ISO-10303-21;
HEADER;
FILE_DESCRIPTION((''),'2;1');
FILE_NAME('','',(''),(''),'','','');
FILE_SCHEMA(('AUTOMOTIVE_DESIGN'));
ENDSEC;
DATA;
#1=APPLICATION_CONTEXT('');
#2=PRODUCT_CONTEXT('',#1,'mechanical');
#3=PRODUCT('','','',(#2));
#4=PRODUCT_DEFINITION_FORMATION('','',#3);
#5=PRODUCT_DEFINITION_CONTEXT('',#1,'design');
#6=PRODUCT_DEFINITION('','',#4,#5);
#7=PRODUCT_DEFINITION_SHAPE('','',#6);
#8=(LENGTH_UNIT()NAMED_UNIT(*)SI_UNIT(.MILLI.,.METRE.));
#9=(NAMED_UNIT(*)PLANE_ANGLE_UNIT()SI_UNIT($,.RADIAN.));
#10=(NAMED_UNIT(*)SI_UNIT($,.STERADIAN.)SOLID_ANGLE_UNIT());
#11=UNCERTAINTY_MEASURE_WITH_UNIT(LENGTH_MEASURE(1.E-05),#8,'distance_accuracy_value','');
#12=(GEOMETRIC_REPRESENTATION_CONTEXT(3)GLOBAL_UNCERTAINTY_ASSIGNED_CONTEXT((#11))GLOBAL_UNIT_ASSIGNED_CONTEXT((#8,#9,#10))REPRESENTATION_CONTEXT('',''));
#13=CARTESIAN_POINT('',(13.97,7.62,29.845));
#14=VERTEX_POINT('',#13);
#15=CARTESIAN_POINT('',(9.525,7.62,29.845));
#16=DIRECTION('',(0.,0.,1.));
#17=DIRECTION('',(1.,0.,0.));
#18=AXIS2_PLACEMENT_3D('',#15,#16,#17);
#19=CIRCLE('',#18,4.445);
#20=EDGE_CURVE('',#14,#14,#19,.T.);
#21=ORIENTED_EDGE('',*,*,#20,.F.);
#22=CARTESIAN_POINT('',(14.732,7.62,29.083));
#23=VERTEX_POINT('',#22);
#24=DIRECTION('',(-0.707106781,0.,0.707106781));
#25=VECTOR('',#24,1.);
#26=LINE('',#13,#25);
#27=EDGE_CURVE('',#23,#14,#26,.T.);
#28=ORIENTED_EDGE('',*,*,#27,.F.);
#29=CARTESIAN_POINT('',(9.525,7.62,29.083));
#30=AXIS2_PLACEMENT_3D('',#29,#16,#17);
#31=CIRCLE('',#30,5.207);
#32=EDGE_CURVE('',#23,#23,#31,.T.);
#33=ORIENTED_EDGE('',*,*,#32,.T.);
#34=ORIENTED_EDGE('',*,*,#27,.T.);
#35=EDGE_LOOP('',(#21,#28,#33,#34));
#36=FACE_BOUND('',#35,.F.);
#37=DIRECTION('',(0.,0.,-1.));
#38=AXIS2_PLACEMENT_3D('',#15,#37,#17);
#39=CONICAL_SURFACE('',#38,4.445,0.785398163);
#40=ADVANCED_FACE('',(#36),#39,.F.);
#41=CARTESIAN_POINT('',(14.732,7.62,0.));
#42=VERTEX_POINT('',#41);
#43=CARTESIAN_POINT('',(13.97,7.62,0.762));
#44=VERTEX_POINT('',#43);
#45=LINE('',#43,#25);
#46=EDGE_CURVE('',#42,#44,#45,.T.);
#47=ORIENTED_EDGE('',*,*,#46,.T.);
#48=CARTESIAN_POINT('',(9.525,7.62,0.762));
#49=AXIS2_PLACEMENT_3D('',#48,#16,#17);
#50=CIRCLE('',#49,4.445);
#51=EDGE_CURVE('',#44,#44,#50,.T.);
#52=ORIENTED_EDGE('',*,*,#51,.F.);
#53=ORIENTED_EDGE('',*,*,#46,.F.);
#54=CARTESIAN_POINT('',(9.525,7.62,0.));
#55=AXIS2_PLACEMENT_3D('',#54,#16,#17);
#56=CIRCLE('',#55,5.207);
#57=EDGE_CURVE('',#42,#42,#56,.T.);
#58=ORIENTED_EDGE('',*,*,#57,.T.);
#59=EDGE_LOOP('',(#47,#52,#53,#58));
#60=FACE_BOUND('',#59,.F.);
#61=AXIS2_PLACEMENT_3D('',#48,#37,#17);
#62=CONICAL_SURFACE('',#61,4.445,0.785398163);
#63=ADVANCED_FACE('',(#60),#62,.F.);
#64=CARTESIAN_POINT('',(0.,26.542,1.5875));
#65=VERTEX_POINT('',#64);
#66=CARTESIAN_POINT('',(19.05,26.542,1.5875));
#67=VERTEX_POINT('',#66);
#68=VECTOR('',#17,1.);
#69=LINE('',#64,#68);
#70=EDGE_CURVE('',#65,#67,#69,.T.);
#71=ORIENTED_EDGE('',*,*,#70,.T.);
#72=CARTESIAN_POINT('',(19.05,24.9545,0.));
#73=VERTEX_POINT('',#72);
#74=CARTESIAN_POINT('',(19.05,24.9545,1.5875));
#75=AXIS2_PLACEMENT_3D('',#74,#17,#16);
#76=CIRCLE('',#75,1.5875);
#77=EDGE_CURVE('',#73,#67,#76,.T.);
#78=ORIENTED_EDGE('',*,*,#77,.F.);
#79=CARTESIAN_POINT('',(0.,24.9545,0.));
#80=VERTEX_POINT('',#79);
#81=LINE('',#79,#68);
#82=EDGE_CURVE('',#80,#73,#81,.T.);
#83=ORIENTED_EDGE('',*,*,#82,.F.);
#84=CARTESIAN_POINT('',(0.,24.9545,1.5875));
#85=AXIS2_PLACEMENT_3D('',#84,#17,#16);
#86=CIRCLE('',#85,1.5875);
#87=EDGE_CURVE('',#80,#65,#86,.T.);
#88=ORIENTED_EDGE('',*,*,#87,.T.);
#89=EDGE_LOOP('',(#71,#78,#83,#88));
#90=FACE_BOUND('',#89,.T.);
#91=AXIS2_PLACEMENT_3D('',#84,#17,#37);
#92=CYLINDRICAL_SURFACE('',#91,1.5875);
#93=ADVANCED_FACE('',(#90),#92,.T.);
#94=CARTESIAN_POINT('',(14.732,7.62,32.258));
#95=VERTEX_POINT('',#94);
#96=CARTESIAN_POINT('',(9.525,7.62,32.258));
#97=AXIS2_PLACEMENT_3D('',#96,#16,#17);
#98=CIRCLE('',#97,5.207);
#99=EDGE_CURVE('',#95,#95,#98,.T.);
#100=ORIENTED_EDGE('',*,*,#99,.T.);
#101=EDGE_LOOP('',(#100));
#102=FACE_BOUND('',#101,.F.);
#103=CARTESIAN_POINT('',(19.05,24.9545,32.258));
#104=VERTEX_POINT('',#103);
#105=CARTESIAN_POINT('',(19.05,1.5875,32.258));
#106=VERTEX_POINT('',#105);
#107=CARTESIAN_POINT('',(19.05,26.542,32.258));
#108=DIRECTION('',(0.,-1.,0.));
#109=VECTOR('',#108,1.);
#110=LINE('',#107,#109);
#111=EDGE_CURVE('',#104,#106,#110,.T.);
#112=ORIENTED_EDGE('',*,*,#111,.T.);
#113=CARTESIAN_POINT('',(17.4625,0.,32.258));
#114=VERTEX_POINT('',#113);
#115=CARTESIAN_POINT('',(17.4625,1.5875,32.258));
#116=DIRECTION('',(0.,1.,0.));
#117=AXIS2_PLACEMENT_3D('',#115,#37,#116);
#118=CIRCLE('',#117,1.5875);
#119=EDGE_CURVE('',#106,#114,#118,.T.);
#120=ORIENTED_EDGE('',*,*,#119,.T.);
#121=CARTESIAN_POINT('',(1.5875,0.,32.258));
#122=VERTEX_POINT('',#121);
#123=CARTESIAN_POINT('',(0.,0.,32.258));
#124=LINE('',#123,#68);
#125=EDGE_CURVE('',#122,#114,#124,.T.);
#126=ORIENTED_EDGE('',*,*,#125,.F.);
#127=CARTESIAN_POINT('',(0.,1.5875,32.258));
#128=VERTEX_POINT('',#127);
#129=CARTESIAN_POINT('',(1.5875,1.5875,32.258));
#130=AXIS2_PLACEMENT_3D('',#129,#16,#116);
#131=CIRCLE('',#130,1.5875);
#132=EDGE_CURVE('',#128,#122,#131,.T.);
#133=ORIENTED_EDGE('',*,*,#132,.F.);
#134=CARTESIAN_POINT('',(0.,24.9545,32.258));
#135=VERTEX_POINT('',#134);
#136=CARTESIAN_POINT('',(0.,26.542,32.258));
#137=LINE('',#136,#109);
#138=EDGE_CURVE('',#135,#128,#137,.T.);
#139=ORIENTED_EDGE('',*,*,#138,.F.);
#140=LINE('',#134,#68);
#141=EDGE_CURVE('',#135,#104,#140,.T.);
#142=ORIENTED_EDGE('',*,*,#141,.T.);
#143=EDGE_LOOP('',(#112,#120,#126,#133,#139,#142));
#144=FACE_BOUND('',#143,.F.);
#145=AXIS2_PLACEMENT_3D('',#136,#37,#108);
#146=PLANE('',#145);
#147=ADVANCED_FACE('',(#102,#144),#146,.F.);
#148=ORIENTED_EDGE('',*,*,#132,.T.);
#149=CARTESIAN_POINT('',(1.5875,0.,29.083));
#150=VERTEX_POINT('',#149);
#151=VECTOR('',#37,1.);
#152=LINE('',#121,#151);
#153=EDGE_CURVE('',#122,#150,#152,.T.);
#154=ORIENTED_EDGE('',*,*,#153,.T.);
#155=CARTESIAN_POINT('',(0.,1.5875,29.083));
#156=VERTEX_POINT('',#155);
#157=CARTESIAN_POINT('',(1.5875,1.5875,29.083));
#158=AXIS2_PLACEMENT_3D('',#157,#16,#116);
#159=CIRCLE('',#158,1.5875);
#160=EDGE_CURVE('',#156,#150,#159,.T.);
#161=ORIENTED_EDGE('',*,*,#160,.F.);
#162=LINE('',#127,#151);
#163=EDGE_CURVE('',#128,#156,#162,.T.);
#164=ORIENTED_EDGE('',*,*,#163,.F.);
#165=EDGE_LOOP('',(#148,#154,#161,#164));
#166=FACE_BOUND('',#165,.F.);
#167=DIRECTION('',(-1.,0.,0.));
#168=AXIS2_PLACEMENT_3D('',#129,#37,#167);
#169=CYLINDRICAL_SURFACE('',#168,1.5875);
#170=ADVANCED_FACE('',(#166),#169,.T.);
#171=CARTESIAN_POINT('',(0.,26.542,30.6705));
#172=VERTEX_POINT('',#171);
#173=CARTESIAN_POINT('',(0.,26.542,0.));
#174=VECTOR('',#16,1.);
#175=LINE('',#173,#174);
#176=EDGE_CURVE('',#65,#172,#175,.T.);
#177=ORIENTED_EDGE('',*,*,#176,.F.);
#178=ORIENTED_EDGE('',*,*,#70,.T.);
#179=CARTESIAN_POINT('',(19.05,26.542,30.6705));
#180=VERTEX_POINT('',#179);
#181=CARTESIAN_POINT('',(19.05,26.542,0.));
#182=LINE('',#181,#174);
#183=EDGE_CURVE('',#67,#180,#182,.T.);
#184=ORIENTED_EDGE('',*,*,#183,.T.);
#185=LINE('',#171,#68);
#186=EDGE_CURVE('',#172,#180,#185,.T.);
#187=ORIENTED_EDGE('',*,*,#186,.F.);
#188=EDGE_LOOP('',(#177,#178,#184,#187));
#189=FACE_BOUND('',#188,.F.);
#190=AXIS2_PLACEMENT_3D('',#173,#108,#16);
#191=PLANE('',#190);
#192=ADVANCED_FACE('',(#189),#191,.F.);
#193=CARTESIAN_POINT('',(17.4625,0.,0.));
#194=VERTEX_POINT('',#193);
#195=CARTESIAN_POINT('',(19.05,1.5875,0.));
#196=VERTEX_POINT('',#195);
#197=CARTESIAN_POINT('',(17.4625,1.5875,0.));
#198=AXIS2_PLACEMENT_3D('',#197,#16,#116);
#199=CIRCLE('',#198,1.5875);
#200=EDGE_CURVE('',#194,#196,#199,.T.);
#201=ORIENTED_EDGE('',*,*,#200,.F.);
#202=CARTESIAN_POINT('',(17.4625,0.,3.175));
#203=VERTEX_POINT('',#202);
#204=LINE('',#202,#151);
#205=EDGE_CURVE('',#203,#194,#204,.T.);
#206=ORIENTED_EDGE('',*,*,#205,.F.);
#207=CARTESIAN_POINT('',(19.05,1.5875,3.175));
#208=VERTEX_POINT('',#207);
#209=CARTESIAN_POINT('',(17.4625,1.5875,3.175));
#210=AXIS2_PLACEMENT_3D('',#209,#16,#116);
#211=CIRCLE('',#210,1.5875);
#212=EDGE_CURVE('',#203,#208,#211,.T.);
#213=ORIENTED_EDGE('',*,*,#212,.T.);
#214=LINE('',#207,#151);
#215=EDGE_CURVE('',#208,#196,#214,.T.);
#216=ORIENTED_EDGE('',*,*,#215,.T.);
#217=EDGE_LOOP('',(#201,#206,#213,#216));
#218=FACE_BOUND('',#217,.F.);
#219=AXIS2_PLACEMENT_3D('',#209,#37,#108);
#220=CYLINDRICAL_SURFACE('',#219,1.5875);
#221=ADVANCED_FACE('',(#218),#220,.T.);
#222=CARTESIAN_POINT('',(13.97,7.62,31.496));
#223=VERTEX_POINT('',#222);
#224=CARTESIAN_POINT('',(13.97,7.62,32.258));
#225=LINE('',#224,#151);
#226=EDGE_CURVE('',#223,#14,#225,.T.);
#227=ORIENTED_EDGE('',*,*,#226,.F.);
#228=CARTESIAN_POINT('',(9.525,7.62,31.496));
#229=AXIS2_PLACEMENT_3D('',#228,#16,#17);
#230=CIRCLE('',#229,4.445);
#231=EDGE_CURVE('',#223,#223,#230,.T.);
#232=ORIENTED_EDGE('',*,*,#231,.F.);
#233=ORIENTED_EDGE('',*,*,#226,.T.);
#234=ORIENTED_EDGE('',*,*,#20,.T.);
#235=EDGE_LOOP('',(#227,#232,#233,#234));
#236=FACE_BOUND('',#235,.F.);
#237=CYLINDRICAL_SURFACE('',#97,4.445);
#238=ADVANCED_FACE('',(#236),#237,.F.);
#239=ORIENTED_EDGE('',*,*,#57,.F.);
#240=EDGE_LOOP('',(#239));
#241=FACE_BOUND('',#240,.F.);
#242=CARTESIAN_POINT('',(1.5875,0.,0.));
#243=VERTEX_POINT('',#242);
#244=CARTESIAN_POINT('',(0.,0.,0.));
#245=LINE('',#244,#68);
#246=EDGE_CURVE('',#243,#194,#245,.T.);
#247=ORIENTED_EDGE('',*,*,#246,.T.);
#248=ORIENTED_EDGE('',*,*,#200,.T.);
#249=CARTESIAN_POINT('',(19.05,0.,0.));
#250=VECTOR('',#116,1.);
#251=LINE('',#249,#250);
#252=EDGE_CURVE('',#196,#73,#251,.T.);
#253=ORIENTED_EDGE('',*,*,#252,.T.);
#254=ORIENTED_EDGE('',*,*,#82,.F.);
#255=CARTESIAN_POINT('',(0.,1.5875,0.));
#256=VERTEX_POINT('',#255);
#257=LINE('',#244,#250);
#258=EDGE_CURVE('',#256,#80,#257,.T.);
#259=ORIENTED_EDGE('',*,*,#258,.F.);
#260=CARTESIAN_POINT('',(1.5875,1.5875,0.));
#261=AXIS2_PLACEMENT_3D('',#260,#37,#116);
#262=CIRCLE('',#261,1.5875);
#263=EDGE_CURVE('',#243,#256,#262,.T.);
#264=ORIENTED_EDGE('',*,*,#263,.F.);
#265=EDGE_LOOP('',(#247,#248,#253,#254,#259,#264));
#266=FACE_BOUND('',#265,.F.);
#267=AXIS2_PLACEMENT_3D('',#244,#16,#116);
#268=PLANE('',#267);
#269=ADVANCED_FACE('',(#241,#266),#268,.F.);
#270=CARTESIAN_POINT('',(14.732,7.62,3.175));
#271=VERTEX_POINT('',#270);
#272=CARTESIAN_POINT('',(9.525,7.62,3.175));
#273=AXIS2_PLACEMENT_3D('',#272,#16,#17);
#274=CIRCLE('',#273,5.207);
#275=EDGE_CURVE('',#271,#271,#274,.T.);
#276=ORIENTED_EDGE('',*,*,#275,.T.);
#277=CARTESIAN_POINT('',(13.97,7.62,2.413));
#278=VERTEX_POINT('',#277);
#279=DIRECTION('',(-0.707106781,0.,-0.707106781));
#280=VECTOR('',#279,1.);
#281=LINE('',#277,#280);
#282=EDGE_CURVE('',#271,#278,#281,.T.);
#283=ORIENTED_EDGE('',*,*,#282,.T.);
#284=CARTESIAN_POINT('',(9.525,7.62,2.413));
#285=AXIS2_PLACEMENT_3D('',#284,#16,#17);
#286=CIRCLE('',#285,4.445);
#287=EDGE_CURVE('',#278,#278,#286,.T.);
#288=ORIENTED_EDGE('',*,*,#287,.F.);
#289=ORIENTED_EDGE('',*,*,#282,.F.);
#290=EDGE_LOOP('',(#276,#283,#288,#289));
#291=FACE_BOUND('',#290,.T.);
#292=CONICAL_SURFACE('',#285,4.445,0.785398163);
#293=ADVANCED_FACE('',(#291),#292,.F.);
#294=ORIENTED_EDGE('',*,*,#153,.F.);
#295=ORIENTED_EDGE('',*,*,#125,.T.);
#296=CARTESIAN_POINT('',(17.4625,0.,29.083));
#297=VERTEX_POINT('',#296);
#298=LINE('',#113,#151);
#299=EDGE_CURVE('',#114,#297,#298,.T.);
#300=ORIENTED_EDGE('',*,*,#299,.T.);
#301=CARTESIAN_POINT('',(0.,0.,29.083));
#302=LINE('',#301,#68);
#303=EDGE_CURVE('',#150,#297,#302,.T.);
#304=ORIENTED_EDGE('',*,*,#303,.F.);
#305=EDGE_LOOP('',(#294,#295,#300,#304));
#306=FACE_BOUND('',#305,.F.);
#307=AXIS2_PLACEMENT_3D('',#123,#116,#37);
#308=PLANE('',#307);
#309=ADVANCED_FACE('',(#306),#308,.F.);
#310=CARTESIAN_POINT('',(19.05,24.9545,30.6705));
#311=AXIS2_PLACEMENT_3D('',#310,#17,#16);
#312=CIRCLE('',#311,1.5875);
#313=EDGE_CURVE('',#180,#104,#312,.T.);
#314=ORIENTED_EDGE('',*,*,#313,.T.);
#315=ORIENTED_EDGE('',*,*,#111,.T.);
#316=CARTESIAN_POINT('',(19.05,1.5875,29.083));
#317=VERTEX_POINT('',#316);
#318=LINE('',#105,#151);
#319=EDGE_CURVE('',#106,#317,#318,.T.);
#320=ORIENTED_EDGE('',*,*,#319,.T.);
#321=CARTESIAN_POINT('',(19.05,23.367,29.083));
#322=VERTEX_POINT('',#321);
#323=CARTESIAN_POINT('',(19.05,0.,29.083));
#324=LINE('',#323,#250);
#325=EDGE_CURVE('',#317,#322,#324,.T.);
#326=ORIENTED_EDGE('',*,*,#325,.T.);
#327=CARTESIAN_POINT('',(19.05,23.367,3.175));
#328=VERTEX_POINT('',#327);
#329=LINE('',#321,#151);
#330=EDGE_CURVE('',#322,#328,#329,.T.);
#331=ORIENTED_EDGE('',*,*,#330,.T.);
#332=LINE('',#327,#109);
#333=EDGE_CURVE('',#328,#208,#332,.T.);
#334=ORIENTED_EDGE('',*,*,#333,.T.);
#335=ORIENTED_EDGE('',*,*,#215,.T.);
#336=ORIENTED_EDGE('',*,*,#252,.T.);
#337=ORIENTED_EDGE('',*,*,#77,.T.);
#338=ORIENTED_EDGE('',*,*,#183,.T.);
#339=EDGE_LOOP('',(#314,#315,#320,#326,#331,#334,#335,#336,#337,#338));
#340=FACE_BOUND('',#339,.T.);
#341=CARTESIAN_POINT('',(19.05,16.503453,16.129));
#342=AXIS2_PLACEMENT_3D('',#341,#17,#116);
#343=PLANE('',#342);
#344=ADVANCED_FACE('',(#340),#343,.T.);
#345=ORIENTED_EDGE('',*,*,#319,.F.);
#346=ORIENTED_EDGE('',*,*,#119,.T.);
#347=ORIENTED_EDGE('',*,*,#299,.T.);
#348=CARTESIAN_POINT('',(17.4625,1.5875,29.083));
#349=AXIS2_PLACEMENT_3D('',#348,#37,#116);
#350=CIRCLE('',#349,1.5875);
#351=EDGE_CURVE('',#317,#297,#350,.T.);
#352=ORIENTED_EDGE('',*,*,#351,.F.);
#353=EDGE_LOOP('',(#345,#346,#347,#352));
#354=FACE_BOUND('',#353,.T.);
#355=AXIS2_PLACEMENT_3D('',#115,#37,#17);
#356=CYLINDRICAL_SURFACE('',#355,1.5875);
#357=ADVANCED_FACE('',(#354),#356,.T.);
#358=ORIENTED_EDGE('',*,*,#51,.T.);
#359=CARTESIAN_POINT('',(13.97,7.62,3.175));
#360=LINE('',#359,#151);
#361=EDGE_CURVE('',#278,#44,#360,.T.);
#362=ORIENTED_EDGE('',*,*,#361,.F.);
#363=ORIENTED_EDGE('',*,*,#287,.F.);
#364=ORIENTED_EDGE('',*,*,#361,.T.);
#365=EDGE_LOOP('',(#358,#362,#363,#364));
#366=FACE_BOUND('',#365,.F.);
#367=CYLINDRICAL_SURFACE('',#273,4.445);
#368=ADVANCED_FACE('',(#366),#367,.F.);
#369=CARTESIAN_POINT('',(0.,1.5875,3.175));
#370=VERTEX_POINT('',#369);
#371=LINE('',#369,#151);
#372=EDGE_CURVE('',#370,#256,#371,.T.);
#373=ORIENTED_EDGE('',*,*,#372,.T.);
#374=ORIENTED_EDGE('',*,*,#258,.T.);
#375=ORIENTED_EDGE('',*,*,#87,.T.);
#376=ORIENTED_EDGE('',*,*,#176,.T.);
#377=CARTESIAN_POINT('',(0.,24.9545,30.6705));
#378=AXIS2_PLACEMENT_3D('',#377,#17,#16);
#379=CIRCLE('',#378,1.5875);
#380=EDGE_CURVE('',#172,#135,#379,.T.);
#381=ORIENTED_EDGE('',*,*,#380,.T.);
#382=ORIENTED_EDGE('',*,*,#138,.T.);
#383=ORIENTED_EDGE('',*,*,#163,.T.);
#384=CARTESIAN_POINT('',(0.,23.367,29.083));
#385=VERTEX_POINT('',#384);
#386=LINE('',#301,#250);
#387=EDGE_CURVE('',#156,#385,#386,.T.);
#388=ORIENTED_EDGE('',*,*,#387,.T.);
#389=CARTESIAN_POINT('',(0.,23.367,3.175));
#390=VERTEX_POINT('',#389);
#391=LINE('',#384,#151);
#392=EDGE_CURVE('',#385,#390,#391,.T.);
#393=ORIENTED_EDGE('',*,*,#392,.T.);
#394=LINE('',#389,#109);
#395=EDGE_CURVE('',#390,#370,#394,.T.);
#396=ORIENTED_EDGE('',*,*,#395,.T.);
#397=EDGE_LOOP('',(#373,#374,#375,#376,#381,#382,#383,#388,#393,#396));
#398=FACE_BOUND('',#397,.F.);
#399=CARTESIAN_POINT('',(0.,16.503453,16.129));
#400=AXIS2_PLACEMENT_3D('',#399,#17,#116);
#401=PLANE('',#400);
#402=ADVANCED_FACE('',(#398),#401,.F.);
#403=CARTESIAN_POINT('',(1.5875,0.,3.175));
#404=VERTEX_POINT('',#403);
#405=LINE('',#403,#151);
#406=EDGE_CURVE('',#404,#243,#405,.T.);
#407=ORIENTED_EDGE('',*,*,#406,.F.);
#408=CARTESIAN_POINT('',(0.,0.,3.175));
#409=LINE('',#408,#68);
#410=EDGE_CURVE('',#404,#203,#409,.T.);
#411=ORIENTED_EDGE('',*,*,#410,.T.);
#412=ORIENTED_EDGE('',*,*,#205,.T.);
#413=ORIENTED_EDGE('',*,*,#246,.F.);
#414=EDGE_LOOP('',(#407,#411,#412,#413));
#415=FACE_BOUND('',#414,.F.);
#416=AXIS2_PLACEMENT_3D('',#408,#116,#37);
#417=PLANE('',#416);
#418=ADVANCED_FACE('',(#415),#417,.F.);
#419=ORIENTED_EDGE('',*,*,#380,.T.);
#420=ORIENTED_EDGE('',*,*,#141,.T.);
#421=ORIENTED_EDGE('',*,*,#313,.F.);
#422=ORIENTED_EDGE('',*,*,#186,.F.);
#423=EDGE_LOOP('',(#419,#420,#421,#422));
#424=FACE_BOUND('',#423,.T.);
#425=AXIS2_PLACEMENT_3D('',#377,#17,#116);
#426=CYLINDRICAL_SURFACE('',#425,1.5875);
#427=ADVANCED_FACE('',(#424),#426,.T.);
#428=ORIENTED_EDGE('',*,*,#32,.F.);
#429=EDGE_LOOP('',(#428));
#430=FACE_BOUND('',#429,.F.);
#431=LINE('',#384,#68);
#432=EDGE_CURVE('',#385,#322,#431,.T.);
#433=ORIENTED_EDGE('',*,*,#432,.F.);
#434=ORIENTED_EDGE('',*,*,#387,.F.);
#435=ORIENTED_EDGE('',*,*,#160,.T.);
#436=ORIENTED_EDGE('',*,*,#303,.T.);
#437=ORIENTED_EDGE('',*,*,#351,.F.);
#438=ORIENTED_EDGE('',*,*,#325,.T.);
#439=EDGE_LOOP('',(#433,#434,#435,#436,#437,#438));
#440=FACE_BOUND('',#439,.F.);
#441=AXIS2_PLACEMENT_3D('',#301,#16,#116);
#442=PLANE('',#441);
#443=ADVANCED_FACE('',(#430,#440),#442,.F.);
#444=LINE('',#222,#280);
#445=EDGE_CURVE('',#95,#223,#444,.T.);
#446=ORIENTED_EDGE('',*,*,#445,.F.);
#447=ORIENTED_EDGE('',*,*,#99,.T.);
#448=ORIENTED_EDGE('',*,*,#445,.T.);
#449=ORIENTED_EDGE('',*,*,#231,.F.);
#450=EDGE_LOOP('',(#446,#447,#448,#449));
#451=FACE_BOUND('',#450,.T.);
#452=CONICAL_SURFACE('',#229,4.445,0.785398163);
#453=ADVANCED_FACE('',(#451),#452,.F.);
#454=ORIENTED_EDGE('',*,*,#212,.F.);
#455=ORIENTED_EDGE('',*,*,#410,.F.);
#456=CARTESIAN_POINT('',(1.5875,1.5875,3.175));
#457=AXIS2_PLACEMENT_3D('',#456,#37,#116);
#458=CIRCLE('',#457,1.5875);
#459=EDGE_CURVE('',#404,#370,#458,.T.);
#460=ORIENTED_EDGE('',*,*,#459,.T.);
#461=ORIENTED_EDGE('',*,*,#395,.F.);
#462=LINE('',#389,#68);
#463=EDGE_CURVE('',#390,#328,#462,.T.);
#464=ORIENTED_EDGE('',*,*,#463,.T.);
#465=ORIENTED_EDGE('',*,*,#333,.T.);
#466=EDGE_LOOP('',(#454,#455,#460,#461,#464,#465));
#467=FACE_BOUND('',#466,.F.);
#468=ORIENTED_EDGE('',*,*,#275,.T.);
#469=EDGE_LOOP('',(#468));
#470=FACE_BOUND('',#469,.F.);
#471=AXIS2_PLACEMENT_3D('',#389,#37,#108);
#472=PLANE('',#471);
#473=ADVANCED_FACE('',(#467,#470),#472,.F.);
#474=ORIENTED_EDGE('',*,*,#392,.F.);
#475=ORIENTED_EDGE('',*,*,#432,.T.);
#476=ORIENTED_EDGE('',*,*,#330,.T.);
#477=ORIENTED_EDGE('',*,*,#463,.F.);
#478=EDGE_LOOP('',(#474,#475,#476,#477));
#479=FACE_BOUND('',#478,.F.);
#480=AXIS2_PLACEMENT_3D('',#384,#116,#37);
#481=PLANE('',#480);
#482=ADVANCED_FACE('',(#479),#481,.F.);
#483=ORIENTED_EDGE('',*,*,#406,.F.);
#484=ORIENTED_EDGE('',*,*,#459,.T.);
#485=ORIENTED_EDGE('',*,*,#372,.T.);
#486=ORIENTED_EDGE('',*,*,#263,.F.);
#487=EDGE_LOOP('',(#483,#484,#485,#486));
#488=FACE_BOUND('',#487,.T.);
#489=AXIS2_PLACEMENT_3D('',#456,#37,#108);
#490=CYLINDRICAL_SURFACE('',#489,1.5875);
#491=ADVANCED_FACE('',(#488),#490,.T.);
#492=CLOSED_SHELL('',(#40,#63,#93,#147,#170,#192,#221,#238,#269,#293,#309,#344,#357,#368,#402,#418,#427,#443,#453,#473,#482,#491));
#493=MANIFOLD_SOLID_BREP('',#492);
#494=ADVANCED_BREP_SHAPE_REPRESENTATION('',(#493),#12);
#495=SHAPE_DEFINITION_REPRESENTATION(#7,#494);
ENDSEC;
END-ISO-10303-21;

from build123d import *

# Parameters (mm, degrees)
F1_DEPTH = 19.05
F2_R     = 4.445
F3_DEPTH = 25.4
F4_R     = 4.445
F5_DEPTH = 3.175
F6_R     = 1.5875
F7_SIZE  = 0.762


with BuildPart() as f1:
    # F0 (on Right) → F1 (new body)
    with BuildSketch(Plane.YZ):
        Polygon((0, 3.175), (0, 0), (26.542, 0), (26.542, 32.258), (0, 32.258), (0, 29.083), (23.367, 29.083), (23.367, 3.175), align=None)
    extrude(amount=F1_DEPTH)

    # F2 (on face) → F3 (cut)
    with BuildSketch(Plane.XY.offset(3.175)):
        with Locations((9.525, 7.62)):
            Circle(F2_R)
    extrude(amount=-F3_DEPTH, mode=Mode.SUBTRACT)

    # F4 (on face) → F5 (cut, through all)
    with BuildSketch(Plane.XY.offset(32.258)):
        with Locations((9.525, 7.62)):
            Circle(F4_R)
    extrude(amount=-F5_DEPTH, mode=Mode.SUBTRACT)

    # F6
    f6_edges = [f1.edges().sort_by_distance(p)[0] for p in [
        (19.05, 0, 30.6705),
        (0, 0, 30.6705),
        (0, 0, 1.5875),
        (19.05, 0, 1.5875),
        (9.525, 26.542, 32.258),
        (9.525, 26.542, 0),
    ]]
    fillet(f6_edges, radius=F6_R)

    # F7
    f7_edges = [f1.edges().sort_by_distance(p)[0] for p in [
        (5.08, 7.62, 0),
        (5.08, 7.62, 29.083),
        (5.08, 7.62, 32.258),
        (5.08, 7.62, 3.175),
    ]]
    chamfer(f7_edges, length=F7_SIZE)


solid = f1.part
